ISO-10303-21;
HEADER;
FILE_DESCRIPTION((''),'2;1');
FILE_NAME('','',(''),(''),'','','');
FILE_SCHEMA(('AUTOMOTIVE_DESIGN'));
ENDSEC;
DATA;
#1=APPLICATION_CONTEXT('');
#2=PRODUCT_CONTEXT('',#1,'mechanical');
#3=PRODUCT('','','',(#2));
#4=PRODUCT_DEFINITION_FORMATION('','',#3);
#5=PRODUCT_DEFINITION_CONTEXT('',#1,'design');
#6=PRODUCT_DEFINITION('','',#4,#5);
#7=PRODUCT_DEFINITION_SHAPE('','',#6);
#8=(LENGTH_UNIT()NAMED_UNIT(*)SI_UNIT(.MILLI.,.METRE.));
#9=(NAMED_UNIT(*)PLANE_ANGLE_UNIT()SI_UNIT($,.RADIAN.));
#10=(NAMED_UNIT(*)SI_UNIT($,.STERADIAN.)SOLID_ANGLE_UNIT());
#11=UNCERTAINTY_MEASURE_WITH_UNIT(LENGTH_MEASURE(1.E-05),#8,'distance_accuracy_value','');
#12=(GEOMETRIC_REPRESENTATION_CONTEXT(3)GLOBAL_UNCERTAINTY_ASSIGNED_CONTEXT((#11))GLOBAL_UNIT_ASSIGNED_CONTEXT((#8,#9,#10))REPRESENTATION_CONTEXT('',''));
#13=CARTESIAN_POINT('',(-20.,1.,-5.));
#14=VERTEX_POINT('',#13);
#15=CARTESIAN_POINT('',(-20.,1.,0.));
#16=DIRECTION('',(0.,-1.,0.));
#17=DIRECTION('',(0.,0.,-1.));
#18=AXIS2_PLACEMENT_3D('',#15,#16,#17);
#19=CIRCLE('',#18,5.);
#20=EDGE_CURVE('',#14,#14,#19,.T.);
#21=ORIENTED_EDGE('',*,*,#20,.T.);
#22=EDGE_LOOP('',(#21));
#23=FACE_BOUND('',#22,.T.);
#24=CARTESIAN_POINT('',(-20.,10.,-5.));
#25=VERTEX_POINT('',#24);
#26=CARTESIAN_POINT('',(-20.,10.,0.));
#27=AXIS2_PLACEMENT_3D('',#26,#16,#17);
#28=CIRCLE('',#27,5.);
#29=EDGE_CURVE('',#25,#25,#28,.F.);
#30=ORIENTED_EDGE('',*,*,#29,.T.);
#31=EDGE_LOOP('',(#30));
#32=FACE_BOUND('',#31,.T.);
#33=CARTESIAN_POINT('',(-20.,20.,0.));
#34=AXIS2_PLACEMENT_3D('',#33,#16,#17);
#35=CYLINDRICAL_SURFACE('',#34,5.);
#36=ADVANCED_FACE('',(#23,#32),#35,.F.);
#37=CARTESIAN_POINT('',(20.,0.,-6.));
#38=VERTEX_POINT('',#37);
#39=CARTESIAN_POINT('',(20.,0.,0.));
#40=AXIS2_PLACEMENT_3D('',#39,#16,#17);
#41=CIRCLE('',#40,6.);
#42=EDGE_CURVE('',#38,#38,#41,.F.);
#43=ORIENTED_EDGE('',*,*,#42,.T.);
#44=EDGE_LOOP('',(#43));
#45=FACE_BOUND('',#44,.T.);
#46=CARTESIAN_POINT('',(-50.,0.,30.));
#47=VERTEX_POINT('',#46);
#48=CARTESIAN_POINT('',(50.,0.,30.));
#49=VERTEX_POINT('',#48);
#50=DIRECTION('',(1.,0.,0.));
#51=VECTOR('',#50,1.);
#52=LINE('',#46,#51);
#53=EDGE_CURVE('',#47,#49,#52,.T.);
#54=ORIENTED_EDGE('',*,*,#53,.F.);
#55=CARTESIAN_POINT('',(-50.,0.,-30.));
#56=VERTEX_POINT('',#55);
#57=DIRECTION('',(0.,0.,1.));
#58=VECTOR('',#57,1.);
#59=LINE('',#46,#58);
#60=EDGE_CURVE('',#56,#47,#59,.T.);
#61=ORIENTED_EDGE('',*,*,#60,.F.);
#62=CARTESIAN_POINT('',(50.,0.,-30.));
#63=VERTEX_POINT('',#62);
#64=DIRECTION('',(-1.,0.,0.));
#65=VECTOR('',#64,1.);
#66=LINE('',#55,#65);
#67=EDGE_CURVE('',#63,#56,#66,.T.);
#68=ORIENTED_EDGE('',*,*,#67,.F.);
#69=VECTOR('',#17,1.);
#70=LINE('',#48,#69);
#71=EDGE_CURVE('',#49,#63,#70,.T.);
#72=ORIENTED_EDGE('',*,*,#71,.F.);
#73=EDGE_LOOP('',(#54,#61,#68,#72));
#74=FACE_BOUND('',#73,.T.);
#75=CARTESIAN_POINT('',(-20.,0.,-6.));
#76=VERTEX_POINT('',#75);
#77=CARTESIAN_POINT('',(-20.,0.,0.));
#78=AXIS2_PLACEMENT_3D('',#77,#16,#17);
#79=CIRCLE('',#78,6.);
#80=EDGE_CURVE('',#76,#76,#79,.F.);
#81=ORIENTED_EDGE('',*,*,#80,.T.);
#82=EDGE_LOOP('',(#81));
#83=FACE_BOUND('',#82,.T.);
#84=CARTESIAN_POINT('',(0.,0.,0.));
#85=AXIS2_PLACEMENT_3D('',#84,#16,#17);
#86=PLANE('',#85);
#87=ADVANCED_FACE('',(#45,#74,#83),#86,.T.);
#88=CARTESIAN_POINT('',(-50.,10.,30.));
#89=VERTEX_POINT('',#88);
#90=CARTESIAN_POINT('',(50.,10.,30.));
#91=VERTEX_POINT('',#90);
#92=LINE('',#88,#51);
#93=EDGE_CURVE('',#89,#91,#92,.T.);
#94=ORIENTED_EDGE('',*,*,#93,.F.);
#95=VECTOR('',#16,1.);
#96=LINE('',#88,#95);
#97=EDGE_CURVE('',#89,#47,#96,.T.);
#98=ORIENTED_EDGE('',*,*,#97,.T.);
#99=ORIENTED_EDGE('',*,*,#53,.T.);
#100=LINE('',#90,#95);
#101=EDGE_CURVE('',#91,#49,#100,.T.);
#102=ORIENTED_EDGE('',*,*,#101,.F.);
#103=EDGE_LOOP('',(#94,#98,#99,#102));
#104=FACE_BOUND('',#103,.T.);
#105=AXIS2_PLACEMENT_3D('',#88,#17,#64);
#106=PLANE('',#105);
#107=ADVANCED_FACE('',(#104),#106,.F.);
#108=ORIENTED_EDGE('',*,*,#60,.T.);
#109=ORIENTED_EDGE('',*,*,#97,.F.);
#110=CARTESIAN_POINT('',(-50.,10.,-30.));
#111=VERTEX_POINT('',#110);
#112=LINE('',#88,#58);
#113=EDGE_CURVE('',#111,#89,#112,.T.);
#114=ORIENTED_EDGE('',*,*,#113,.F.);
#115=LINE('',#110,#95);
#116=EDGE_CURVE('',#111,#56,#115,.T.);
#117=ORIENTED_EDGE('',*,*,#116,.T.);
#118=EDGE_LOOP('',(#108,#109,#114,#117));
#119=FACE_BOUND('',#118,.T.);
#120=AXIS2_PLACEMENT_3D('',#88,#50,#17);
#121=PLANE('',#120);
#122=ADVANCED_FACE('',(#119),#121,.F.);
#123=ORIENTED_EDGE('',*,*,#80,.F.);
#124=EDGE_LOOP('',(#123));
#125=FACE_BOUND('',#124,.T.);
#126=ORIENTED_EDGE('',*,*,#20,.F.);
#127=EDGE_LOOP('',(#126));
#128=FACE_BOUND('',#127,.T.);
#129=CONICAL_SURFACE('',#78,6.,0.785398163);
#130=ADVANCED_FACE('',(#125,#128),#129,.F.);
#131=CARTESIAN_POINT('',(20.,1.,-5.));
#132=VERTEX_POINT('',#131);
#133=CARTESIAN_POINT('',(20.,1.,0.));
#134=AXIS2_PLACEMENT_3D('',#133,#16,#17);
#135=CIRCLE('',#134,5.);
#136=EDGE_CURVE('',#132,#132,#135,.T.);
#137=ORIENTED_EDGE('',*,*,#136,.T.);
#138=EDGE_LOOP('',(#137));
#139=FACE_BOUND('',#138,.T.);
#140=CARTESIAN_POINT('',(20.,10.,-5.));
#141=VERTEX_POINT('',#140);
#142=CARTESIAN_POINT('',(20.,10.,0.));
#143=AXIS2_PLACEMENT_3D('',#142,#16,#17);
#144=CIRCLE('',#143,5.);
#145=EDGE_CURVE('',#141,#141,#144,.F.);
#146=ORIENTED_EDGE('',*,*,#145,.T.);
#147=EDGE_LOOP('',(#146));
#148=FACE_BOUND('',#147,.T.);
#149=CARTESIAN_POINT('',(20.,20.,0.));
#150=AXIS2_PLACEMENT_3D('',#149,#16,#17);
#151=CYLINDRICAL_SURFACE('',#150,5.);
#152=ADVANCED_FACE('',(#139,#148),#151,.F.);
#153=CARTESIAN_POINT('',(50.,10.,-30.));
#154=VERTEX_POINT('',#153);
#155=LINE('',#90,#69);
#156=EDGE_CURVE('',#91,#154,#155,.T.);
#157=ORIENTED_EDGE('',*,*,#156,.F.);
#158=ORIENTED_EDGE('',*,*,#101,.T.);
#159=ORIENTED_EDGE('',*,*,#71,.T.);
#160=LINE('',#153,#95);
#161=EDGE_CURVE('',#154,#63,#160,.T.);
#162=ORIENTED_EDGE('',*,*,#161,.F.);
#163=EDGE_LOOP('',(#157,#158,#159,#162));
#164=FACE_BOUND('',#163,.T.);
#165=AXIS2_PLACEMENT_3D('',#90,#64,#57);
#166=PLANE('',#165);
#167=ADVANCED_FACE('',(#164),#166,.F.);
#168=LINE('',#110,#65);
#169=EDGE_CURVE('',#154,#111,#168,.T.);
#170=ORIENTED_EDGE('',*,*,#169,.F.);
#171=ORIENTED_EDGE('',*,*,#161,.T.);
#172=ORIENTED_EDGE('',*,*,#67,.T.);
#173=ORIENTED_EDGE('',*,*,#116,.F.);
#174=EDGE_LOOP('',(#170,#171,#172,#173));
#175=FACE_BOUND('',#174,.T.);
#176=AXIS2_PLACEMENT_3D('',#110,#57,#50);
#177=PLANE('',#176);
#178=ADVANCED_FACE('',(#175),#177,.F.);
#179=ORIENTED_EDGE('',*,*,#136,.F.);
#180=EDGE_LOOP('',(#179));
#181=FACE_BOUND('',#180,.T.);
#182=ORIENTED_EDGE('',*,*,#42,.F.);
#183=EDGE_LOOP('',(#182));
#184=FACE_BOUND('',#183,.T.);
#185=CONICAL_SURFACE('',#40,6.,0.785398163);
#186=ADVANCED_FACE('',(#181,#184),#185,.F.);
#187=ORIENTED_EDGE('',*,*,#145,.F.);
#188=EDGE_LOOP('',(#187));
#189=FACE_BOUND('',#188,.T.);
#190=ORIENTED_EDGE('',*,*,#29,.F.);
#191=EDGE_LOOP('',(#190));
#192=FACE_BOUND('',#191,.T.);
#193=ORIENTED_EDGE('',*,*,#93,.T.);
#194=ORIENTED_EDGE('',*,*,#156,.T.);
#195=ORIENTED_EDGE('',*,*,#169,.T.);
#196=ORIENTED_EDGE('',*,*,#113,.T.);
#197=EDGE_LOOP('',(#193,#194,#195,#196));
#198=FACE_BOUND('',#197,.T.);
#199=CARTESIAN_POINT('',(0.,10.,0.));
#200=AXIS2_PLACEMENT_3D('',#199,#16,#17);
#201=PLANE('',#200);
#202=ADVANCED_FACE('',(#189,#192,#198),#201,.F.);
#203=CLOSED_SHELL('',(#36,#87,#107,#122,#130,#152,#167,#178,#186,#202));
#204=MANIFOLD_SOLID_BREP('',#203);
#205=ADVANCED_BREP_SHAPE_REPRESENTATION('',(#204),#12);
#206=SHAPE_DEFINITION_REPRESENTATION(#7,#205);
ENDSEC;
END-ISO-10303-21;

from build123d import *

# Parameters (mm, degrees)
SKETCH_1_W          = 100
SKETCH_1_H          = 60
EXTRUDE_1_DEPTH     = 10
SKETCH_2_R          = 5
CUT_EXTRUDE_1_DEPTH = 20
SKETCH_3_R          = 5
CUT_EXTRUDE_2_DEPTH = 20
CHAMFER_1_SIZE      = 1


with BuildPart() as part:
    # 草图1 → 凸台-拉伸1 (new body)
    with BuildSketch(Plane(origin=(0, 0, 0), x_dir=(1, 0, 0), z_dir=(0, 1, 0))):
        Rectangle(SKETCH_1_W, SKETCH_1_H)
    extrude(amount=EXTRUDE_1_DEPTH)

    # 草图2 → 切除-拉伸1 (cut)
    with BuildSketch(Plane(origin=(0, 0, 0), x_dir=(1, 0, 0), z_dir=(0, 1, 0))):
        with Locations(Location((-20, 0, 0), (0, 0, 90))):
            Circle(SKETCH_2_R)
    extrude(amount=CUT_EXTRUDE_1_DEPTH, mode=Mode.SUBTRACT)

    # 草图3 → 切除-拉伸2 (cut)
    with BuildSketch(Plane(origin=(0, 0, 0), x_dir=(1, 0, 0), z_dir=(0, 1, 0))):
        with Locations(Location((20, 0, 0), (0, 0, 90))):
            Circle(SKETCH_3_R)
    extrude(amount=CUT_EXTRUDE_2_DEPTH, mode=Mode.SUBTRACT)

    # 倒角1
    chamfer_1_edges = [part.edges().sort_by_distance(p)[0] for p in [
        (-20, 0, 5),
        (20, 0, 5),
    ]]
    chamfer(chamfer_1_edges, length=CHAMFER_1_SIZE)


solid = part.part
